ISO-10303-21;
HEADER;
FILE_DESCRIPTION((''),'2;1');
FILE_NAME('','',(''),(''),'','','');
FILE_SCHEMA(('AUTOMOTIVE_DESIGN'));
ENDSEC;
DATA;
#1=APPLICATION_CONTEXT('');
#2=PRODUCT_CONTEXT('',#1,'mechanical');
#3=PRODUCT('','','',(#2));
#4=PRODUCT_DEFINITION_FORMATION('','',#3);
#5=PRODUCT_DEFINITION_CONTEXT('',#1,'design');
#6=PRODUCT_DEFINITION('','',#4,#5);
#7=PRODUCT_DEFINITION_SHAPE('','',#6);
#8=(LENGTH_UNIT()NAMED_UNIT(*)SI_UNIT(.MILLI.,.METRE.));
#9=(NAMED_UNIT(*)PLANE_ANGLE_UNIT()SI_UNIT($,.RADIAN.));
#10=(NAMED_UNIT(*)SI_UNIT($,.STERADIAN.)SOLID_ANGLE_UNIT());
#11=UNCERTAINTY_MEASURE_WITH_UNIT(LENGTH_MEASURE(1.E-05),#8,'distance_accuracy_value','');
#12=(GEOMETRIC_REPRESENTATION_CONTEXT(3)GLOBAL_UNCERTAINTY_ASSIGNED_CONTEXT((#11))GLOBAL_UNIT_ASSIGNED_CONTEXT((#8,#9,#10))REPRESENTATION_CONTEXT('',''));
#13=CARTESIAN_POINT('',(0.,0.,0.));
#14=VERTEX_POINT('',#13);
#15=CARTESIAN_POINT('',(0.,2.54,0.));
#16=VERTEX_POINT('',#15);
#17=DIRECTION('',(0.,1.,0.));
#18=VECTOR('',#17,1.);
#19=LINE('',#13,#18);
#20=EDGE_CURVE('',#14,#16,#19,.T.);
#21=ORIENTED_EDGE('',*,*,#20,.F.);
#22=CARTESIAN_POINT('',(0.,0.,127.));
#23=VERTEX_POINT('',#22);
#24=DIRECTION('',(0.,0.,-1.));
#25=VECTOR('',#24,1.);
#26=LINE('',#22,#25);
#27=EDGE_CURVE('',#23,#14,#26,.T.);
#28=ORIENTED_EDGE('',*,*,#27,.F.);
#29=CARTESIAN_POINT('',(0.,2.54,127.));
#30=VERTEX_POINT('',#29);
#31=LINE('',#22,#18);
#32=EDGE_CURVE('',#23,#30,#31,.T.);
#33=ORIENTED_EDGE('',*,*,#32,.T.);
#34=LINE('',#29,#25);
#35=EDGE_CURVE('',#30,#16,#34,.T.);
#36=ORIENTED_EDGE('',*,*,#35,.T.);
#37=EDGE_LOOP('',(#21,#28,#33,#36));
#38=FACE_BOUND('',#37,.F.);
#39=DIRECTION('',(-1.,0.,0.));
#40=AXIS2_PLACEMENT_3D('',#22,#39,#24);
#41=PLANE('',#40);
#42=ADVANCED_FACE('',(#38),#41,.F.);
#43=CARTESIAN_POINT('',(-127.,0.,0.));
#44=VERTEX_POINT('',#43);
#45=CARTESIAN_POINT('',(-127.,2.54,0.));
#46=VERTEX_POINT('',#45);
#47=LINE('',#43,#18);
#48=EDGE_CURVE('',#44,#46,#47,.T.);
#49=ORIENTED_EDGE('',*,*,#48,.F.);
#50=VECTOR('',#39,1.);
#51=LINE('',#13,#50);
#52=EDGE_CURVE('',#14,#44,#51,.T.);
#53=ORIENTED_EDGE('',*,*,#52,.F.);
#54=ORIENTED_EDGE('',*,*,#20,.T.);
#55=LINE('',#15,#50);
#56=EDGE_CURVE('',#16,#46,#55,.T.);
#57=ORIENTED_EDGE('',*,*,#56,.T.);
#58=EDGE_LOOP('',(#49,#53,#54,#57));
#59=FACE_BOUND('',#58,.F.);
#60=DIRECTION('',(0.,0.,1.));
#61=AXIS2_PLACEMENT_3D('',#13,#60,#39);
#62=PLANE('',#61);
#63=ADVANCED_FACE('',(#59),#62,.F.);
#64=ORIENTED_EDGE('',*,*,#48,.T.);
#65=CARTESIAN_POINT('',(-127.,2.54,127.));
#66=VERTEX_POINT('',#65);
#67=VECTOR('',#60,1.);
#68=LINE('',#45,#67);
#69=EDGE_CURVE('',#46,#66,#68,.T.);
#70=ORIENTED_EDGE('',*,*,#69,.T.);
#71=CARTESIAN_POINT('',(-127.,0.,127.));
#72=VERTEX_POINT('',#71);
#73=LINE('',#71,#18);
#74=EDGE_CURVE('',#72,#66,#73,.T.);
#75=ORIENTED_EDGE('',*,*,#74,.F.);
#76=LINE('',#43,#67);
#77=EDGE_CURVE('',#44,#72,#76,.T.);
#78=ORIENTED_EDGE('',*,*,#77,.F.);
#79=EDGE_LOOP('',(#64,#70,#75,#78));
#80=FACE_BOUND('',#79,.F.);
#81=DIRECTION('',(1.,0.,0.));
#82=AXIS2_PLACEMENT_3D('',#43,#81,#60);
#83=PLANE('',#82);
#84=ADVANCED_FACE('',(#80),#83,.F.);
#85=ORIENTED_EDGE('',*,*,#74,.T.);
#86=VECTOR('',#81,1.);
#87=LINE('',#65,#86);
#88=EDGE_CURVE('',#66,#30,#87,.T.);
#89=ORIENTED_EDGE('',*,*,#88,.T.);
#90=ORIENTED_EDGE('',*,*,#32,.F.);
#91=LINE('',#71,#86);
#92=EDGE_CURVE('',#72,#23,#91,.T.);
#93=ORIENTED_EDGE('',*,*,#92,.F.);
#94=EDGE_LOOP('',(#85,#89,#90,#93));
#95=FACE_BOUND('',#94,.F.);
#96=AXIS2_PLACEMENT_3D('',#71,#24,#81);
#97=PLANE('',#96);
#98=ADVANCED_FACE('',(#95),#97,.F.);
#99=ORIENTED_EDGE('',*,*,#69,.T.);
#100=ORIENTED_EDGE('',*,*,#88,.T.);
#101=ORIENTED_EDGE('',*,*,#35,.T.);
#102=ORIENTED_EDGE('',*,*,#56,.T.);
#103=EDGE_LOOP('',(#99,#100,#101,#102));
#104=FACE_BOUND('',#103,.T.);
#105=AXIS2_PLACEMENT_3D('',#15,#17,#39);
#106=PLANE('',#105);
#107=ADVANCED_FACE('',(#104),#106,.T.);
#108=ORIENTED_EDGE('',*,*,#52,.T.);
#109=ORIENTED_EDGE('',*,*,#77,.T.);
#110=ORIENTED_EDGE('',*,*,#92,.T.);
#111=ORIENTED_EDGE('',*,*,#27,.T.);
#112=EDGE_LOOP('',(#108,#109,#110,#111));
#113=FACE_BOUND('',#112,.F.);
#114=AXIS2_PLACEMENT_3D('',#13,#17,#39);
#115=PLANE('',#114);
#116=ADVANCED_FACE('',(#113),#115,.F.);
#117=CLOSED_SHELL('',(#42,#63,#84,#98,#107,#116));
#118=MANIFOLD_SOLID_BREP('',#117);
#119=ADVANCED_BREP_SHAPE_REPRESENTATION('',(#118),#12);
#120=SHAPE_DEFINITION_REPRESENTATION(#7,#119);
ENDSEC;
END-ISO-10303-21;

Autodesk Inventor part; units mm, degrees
ref_plane "YZ Plane" through (0, 0, 0) normal (1, 0, 0) x (0, 1, 0)
ref_plane "XZ Plane" through (0, 0, 0) normal (0, 1, 0) x (-1, 0, 0)
ref_plane "XY Plane" through (0, 0, 0) normal (0, 0, 1) x (1, 0, 0)
sketch "Sketch1" plane through (0, 0, 0) normal (0, 1, 0) x (-1, 0, 0)
  line L0 (0, 0) -> (127, 0)
  line L1 (127, 0) -> (127, 127)
  line L2 (127, 127) -> (0, 127)
  line L3 (0, 127) -> (0, 0)
  dimension "d2" = 127
  dimension "d3" = 127
extrude "Extrusion1" add sketch "Sketch1" along normal blind 2.54
properties part number "Base"
